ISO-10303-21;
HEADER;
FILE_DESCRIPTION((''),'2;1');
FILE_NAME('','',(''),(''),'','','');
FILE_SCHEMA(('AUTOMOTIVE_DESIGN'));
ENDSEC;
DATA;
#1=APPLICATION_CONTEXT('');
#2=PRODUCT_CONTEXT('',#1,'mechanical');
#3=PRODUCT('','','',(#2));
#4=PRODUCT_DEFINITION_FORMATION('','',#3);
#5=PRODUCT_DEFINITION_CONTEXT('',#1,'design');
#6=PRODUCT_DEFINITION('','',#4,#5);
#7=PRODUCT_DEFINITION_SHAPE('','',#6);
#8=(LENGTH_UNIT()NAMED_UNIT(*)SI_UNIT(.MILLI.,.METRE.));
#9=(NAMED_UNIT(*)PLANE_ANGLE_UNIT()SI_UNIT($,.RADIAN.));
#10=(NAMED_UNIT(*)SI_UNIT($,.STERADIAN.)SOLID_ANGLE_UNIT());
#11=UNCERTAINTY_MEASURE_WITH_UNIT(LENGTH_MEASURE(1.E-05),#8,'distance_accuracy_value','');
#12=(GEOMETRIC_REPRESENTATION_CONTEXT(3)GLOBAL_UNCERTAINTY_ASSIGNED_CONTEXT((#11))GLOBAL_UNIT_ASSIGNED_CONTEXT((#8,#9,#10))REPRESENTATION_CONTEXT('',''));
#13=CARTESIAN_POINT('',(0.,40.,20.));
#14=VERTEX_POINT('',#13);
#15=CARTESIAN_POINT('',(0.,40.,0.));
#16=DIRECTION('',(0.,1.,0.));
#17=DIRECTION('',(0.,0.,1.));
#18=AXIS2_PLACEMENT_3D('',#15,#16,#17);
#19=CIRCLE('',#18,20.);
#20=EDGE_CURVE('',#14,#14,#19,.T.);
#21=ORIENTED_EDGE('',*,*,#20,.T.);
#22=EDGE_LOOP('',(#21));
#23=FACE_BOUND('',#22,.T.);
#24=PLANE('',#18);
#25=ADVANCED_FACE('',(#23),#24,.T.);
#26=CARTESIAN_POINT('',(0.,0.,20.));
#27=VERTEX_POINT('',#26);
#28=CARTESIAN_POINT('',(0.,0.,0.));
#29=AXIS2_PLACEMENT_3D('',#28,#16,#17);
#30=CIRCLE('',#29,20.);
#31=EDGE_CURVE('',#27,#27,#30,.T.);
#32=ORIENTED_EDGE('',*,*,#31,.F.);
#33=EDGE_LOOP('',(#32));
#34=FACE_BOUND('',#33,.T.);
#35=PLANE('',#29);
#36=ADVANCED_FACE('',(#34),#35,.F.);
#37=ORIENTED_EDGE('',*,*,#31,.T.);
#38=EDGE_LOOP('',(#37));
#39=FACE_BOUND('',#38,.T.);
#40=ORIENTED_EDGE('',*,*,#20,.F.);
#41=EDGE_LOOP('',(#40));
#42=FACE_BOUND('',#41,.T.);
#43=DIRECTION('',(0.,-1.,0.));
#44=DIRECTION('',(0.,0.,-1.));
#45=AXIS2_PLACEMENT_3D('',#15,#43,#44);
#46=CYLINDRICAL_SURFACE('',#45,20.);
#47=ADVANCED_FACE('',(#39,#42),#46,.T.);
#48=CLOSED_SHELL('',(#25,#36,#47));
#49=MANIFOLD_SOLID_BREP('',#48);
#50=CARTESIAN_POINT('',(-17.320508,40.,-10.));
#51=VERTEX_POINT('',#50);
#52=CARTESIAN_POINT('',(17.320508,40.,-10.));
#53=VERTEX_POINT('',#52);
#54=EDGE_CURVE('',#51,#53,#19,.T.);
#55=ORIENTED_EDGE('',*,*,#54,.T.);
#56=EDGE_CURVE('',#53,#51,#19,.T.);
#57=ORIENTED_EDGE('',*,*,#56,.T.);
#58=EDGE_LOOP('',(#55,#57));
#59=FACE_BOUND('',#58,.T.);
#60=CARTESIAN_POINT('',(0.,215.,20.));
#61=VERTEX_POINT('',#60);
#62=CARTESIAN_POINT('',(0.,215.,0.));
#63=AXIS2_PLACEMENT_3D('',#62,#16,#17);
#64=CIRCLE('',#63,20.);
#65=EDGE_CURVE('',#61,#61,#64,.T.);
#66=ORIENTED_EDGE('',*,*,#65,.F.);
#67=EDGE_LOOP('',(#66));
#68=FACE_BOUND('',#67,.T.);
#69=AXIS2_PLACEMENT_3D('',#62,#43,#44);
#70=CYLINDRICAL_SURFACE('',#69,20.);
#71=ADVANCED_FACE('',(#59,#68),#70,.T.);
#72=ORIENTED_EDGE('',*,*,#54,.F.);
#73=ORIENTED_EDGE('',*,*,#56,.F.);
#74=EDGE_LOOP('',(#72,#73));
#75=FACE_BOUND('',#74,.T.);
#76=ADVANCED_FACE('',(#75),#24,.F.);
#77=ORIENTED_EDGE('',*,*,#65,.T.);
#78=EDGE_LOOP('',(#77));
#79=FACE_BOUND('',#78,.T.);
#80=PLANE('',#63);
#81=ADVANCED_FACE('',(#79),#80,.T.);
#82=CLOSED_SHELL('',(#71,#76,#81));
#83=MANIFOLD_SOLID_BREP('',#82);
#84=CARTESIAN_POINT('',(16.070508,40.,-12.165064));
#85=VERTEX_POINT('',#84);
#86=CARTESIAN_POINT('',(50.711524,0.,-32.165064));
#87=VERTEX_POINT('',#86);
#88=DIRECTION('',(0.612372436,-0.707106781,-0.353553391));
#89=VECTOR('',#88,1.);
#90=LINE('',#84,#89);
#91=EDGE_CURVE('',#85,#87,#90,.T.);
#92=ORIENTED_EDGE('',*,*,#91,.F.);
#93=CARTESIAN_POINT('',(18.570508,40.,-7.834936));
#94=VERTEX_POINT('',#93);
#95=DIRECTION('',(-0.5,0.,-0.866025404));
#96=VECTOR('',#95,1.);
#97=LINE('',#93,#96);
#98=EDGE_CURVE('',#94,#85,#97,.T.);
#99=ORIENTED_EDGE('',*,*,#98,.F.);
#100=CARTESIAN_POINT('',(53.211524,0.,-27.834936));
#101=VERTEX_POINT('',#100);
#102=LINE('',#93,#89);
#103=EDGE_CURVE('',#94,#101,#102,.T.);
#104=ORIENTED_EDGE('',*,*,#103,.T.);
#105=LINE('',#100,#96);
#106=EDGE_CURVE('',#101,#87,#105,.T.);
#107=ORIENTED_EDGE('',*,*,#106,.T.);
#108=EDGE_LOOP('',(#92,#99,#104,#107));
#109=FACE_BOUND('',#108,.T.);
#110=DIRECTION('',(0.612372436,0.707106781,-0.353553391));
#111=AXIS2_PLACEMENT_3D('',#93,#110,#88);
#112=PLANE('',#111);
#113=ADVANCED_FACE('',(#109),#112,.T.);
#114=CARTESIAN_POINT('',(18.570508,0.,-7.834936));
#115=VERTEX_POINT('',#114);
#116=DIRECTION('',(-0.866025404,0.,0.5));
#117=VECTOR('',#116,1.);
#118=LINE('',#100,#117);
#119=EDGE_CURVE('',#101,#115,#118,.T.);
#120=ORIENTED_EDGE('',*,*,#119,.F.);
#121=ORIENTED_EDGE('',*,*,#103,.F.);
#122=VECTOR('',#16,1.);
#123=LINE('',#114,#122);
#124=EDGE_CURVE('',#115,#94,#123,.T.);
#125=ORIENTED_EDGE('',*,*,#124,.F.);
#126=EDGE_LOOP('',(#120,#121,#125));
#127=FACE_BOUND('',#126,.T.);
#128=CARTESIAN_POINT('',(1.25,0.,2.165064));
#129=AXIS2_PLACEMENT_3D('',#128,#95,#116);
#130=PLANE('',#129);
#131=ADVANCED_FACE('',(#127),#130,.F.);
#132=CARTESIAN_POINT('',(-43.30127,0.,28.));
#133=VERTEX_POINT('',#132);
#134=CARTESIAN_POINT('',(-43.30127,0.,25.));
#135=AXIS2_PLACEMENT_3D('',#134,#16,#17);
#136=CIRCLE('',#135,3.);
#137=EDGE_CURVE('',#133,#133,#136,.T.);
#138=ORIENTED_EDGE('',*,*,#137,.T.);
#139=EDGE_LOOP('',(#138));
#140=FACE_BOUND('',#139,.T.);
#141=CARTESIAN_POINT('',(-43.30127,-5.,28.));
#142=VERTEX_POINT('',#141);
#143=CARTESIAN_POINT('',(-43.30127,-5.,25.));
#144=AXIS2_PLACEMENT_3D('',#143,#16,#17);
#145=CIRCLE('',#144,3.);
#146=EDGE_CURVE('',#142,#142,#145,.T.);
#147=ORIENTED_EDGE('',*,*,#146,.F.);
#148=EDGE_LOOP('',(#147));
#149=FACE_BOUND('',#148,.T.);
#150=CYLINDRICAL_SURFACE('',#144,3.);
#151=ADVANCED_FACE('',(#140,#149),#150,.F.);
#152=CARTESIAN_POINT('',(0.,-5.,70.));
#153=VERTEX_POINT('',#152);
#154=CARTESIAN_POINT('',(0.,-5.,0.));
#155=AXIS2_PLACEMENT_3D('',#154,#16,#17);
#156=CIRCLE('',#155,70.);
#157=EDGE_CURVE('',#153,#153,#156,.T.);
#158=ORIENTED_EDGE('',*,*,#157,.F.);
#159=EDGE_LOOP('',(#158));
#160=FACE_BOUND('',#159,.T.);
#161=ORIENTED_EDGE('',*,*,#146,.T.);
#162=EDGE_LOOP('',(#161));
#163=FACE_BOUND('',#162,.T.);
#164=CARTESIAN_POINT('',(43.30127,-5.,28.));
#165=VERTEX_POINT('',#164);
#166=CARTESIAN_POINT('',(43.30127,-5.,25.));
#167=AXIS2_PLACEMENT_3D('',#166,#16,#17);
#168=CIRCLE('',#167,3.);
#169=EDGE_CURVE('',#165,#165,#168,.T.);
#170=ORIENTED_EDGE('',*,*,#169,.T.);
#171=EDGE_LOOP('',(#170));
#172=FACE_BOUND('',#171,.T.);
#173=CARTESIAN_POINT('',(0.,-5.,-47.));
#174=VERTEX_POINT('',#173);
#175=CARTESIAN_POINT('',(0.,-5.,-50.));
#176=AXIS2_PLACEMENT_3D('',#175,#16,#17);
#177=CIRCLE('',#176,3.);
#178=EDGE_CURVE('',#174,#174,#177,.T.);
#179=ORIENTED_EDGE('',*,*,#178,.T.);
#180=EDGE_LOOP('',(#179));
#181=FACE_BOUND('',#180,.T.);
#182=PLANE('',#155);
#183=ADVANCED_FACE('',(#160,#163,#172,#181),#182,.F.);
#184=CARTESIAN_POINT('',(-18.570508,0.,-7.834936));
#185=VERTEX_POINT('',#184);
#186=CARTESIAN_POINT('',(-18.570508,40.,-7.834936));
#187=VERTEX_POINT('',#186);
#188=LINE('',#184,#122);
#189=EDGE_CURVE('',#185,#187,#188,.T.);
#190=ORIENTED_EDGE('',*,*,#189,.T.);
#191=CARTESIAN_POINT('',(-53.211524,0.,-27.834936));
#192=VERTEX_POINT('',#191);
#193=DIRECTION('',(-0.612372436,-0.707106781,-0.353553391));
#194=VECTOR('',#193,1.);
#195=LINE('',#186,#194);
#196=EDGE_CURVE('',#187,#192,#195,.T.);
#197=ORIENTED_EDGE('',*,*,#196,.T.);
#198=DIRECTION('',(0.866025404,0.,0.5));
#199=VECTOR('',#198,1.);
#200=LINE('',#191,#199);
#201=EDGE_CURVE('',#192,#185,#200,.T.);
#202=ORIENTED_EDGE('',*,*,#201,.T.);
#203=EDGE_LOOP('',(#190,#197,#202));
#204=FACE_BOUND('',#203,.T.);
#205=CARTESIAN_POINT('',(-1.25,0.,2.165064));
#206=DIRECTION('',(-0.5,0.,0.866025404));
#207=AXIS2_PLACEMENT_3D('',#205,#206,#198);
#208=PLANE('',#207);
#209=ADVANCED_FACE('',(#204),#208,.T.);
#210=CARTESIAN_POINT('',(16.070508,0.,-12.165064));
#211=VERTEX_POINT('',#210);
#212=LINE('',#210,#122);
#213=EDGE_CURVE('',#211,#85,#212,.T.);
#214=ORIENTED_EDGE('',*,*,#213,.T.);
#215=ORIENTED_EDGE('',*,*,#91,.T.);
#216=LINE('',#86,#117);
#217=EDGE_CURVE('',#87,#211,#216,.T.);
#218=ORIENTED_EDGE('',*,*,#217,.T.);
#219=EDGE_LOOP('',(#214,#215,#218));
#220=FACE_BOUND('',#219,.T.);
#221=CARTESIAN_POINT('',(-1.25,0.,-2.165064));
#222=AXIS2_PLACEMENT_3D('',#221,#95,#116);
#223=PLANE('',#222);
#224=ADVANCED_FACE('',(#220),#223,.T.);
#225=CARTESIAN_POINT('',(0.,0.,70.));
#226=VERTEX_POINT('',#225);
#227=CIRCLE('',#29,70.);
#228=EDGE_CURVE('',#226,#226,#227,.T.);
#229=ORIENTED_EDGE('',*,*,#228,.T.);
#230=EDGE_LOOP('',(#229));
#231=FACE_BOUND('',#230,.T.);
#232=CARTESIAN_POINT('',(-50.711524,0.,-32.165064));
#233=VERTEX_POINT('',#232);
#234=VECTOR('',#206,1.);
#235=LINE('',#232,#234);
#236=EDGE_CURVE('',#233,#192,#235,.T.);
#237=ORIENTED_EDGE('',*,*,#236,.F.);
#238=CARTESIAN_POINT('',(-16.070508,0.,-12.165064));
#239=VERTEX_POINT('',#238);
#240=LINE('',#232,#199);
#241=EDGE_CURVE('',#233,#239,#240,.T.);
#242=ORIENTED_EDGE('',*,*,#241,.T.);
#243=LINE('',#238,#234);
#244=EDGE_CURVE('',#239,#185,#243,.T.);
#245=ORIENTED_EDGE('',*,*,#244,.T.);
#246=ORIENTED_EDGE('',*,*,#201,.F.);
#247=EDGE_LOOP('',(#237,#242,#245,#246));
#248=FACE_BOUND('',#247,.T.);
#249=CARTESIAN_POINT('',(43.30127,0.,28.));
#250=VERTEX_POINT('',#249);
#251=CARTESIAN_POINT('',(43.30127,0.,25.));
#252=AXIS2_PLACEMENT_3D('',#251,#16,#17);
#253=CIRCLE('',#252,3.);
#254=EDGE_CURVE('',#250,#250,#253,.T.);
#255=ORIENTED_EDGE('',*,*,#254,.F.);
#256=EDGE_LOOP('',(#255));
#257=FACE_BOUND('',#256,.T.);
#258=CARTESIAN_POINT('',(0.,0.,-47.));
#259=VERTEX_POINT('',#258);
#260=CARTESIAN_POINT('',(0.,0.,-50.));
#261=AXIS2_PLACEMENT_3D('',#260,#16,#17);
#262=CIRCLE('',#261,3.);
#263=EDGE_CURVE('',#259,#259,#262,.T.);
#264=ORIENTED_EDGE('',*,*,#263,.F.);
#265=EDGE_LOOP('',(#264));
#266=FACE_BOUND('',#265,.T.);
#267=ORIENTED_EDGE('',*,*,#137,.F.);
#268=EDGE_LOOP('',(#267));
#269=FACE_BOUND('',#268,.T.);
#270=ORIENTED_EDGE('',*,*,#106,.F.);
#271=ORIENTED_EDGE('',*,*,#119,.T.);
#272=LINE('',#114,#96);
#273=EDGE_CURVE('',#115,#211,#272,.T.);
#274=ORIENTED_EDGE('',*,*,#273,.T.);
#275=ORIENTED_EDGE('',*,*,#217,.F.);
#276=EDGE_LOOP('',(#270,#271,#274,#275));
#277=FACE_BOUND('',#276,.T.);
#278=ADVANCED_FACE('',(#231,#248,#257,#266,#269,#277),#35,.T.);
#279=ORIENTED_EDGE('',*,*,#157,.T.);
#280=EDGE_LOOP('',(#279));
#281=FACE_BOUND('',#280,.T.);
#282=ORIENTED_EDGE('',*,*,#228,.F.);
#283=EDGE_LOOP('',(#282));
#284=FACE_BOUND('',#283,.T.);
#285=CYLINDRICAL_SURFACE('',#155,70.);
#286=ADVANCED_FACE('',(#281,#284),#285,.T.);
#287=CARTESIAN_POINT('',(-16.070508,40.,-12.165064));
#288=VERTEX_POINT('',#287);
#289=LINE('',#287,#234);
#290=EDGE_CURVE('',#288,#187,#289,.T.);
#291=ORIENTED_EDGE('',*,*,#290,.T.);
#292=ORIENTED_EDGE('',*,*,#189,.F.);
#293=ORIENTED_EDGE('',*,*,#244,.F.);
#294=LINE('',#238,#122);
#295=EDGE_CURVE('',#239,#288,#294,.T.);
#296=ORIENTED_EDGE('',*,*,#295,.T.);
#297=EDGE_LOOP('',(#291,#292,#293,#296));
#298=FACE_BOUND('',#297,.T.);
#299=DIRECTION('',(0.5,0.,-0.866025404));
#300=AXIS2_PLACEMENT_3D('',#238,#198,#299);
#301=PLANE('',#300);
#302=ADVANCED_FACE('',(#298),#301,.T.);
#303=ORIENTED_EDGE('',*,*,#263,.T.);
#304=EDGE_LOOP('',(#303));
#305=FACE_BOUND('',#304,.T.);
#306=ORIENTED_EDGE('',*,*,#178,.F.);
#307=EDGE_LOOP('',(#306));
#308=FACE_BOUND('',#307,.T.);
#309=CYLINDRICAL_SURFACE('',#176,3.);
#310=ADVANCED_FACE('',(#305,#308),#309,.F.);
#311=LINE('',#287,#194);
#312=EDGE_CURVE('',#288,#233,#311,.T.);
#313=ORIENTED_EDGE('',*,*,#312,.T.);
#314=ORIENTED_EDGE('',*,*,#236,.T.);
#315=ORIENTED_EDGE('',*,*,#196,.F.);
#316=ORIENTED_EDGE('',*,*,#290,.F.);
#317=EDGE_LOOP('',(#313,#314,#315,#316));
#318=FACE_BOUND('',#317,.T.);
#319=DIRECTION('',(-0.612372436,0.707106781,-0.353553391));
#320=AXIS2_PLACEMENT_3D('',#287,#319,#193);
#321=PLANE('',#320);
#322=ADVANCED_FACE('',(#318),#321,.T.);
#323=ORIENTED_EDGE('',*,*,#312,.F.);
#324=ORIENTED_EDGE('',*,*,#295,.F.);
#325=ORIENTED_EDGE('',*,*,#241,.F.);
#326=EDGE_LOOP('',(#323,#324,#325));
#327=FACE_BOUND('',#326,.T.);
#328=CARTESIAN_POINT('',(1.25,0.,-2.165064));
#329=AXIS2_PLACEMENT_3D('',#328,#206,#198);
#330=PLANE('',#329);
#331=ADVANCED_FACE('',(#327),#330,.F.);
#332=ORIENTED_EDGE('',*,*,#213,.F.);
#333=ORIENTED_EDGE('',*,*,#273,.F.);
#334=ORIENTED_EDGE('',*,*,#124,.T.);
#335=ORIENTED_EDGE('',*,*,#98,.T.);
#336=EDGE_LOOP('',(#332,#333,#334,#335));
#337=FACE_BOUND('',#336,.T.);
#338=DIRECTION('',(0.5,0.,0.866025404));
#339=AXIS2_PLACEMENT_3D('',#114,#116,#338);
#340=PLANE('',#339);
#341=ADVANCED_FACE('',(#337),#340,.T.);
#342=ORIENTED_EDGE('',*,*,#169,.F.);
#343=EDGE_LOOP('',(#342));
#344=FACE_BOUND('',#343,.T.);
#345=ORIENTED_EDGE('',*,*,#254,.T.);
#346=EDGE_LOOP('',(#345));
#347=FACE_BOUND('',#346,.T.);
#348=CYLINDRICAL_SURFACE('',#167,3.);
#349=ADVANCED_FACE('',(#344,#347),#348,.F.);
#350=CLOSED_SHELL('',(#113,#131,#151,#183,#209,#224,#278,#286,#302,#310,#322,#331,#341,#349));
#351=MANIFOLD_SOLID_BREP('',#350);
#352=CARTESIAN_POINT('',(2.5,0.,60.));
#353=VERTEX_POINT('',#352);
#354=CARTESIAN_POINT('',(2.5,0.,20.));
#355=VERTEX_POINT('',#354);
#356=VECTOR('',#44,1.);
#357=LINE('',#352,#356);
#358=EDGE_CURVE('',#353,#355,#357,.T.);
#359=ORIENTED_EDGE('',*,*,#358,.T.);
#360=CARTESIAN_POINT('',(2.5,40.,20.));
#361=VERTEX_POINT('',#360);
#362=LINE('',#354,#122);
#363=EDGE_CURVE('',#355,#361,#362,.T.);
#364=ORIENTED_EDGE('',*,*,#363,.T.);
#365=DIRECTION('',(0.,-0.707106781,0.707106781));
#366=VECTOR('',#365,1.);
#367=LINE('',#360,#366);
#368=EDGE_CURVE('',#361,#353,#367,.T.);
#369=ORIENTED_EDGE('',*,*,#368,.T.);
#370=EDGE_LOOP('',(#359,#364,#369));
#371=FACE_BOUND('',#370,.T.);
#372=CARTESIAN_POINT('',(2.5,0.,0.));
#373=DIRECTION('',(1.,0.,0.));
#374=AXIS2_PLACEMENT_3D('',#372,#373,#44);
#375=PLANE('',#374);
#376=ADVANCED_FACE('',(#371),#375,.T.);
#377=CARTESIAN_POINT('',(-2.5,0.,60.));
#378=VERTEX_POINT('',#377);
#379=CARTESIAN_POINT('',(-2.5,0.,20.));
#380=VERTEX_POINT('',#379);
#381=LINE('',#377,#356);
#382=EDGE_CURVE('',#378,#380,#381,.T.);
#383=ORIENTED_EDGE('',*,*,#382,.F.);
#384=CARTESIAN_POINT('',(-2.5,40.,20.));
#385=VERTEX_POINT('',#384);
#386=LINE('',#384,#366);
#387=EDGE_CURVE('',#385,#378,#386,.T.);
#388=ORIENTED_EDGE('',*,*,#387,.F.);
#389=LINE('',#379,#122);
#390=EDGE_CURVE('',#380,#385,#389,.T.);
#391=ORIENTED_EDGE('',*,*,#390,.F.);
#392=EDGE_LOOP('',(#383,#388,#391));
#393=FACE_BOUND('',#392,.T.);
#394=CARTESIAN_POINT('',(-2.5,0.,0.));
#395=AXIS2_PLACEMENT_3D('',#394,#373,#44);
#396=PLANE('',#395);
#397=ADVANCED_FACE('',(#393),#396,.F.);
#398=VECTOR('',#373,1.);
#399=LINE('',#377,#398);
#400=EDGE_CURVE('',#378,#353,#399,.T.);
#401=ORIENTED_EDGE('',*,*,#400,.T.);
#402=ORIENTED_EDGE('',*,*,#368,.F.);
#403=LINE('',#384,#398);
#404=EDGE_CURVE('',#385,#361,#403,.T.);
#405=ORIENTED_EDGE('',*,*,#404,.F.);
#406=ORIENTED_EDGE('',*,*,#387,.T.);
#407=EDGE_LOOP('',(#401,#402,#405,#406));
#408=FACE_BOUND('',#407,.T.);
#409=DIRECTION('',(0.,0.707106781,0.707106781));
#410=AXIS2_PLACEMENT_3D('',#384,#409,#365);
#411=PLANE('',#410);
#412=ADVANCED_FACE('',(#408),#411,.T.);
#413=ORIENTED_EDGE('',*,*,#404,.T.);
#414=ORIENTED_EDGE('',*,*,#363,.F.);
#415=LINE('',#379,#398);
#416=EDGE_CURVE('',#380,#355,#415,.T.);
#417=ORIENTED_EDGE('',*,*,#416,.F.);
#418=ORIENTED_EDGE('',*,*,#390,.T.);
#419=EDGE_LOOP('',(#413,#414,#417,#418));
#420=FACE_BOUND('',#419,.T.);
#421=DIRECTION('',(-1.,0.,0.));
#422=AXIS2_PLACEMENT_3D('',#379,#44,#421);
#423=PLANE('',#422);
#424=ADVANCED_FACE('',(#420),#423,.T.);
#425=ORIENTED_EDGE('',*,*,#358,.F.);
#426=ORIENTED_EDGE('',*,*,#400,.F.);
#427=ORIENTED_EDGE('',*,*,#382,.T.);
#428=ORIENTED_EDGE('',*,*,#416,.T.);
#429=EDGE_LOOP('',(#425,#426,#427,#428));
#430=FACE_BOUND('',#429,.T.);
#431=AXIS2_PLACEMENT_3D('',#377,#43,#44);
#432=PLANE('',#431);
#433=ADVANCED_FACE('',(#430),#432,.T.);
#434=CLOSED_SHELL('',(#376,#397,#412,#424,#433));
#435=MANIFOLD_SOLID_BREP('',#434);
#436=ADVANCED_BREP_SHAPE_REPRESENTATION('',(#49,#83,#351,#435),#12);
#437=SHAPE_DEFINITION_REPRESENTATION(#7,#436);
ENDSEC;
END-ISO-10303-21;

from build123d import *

# Parameters (mm, degrees)
SKETCH1_R           = 70
BOSS_EXTRUDE1_DEPTH = 5
SKETCH2_R           = 20
BOSS_EXTRUDE2_DEPTH = 40
SKETCH3_R           = 20
BOSS_EXTRUDE3_DEPTH = 175
BOSS_EXTRUDE4_DEPTH = 2.5
CIRPATTERN1_COUNT   = 3
SKETCH5_R           = 3
CUT_EXTRUDE1_DEPTH  = 237.696007571


with BuildPart() as part:
    # Sketch1 → Boss-Extrude1 (new body)
    with BuildSketch(Plane(origin=(0, 0, 0), x_dir=(1, 0, 0), z_dir=(0, 1, 0))):
        Circle(SKETCH1_R)
    extrude(amount=-BOSS_EXTRUDE1_DEPTH)


with BuildPart() as body_2:
    # Sketch2 → Boss-Extrude2 (new body)
    with BuildSketch(Plane(origin=(0, 0, 0), x_dir=(1, 0, 0), z_dir=(0, 1, 0))):
        Circle(SKETCH2_R)
    extrude(amount=BOSS_EXTRUDE2_DEPTH)


with BuildPart() as body_3:
    # Sketch3 → Boss-Extrude3 (new body)
    with BuildSketch(Plane(origin=(0, 40, 0), x_dir=(1, 0, 0), z_dir=(0, 1, 0))):
        Circle(SKETCH3_R)
    extrude(amount=BOSS_EXTRUDE3_DEPTH)


with BuildPart() as body_4:
    # Sketch4 → Boss-Extrude4 (new, symmetric)
    with BuildSketch(Plane(origin=(0, 0, 0), x_dir=(0, 0, -1), z_dir=(1, 0, 0))):
        Polygon((-60, 0), (-20, 0), (-20, 40), align=None)
    boss_extrude4 = extrude(amount=BOSS_EXTRUDE4_DEPTH, both=True)


with BuildPart() as part_1:
    add(part.part)

    # CirPattern1: Boss-Extrude4 ×3 about axis
    cirpattern1_axis = Axis((0, 40, 0), (0, -1, 0))
    for i in range(1, CIRPATTERN1_COUNT):
        add(boss_extrude4.rotate(cirpattern1_axis, i * 360 / CIRPATTERN1_COUNT))

    # Sketch5 → Cut-Extrude1 (cut, through all)
    with BuildSketch(Plane(origin=(0, 0, 0), x_dir=(1, 0, 0), z_dir=(0, 1, 0))):
        with Locations((0, 50)):
            Circle(SKETCH5_R)
        with Locations((43.301270189, -25)):
            Circle(SKETCH5_R)
        with Locations((-43.301270189, -25)):
            Circle(SKETCH5_R)
    extrude(amount=-CUT_EXTRUDE1_DEPTH, mode=Mode.SUBTRACT)


solid = Compound([body_2.part, body_3.part, body_4.part, part_1.part])
